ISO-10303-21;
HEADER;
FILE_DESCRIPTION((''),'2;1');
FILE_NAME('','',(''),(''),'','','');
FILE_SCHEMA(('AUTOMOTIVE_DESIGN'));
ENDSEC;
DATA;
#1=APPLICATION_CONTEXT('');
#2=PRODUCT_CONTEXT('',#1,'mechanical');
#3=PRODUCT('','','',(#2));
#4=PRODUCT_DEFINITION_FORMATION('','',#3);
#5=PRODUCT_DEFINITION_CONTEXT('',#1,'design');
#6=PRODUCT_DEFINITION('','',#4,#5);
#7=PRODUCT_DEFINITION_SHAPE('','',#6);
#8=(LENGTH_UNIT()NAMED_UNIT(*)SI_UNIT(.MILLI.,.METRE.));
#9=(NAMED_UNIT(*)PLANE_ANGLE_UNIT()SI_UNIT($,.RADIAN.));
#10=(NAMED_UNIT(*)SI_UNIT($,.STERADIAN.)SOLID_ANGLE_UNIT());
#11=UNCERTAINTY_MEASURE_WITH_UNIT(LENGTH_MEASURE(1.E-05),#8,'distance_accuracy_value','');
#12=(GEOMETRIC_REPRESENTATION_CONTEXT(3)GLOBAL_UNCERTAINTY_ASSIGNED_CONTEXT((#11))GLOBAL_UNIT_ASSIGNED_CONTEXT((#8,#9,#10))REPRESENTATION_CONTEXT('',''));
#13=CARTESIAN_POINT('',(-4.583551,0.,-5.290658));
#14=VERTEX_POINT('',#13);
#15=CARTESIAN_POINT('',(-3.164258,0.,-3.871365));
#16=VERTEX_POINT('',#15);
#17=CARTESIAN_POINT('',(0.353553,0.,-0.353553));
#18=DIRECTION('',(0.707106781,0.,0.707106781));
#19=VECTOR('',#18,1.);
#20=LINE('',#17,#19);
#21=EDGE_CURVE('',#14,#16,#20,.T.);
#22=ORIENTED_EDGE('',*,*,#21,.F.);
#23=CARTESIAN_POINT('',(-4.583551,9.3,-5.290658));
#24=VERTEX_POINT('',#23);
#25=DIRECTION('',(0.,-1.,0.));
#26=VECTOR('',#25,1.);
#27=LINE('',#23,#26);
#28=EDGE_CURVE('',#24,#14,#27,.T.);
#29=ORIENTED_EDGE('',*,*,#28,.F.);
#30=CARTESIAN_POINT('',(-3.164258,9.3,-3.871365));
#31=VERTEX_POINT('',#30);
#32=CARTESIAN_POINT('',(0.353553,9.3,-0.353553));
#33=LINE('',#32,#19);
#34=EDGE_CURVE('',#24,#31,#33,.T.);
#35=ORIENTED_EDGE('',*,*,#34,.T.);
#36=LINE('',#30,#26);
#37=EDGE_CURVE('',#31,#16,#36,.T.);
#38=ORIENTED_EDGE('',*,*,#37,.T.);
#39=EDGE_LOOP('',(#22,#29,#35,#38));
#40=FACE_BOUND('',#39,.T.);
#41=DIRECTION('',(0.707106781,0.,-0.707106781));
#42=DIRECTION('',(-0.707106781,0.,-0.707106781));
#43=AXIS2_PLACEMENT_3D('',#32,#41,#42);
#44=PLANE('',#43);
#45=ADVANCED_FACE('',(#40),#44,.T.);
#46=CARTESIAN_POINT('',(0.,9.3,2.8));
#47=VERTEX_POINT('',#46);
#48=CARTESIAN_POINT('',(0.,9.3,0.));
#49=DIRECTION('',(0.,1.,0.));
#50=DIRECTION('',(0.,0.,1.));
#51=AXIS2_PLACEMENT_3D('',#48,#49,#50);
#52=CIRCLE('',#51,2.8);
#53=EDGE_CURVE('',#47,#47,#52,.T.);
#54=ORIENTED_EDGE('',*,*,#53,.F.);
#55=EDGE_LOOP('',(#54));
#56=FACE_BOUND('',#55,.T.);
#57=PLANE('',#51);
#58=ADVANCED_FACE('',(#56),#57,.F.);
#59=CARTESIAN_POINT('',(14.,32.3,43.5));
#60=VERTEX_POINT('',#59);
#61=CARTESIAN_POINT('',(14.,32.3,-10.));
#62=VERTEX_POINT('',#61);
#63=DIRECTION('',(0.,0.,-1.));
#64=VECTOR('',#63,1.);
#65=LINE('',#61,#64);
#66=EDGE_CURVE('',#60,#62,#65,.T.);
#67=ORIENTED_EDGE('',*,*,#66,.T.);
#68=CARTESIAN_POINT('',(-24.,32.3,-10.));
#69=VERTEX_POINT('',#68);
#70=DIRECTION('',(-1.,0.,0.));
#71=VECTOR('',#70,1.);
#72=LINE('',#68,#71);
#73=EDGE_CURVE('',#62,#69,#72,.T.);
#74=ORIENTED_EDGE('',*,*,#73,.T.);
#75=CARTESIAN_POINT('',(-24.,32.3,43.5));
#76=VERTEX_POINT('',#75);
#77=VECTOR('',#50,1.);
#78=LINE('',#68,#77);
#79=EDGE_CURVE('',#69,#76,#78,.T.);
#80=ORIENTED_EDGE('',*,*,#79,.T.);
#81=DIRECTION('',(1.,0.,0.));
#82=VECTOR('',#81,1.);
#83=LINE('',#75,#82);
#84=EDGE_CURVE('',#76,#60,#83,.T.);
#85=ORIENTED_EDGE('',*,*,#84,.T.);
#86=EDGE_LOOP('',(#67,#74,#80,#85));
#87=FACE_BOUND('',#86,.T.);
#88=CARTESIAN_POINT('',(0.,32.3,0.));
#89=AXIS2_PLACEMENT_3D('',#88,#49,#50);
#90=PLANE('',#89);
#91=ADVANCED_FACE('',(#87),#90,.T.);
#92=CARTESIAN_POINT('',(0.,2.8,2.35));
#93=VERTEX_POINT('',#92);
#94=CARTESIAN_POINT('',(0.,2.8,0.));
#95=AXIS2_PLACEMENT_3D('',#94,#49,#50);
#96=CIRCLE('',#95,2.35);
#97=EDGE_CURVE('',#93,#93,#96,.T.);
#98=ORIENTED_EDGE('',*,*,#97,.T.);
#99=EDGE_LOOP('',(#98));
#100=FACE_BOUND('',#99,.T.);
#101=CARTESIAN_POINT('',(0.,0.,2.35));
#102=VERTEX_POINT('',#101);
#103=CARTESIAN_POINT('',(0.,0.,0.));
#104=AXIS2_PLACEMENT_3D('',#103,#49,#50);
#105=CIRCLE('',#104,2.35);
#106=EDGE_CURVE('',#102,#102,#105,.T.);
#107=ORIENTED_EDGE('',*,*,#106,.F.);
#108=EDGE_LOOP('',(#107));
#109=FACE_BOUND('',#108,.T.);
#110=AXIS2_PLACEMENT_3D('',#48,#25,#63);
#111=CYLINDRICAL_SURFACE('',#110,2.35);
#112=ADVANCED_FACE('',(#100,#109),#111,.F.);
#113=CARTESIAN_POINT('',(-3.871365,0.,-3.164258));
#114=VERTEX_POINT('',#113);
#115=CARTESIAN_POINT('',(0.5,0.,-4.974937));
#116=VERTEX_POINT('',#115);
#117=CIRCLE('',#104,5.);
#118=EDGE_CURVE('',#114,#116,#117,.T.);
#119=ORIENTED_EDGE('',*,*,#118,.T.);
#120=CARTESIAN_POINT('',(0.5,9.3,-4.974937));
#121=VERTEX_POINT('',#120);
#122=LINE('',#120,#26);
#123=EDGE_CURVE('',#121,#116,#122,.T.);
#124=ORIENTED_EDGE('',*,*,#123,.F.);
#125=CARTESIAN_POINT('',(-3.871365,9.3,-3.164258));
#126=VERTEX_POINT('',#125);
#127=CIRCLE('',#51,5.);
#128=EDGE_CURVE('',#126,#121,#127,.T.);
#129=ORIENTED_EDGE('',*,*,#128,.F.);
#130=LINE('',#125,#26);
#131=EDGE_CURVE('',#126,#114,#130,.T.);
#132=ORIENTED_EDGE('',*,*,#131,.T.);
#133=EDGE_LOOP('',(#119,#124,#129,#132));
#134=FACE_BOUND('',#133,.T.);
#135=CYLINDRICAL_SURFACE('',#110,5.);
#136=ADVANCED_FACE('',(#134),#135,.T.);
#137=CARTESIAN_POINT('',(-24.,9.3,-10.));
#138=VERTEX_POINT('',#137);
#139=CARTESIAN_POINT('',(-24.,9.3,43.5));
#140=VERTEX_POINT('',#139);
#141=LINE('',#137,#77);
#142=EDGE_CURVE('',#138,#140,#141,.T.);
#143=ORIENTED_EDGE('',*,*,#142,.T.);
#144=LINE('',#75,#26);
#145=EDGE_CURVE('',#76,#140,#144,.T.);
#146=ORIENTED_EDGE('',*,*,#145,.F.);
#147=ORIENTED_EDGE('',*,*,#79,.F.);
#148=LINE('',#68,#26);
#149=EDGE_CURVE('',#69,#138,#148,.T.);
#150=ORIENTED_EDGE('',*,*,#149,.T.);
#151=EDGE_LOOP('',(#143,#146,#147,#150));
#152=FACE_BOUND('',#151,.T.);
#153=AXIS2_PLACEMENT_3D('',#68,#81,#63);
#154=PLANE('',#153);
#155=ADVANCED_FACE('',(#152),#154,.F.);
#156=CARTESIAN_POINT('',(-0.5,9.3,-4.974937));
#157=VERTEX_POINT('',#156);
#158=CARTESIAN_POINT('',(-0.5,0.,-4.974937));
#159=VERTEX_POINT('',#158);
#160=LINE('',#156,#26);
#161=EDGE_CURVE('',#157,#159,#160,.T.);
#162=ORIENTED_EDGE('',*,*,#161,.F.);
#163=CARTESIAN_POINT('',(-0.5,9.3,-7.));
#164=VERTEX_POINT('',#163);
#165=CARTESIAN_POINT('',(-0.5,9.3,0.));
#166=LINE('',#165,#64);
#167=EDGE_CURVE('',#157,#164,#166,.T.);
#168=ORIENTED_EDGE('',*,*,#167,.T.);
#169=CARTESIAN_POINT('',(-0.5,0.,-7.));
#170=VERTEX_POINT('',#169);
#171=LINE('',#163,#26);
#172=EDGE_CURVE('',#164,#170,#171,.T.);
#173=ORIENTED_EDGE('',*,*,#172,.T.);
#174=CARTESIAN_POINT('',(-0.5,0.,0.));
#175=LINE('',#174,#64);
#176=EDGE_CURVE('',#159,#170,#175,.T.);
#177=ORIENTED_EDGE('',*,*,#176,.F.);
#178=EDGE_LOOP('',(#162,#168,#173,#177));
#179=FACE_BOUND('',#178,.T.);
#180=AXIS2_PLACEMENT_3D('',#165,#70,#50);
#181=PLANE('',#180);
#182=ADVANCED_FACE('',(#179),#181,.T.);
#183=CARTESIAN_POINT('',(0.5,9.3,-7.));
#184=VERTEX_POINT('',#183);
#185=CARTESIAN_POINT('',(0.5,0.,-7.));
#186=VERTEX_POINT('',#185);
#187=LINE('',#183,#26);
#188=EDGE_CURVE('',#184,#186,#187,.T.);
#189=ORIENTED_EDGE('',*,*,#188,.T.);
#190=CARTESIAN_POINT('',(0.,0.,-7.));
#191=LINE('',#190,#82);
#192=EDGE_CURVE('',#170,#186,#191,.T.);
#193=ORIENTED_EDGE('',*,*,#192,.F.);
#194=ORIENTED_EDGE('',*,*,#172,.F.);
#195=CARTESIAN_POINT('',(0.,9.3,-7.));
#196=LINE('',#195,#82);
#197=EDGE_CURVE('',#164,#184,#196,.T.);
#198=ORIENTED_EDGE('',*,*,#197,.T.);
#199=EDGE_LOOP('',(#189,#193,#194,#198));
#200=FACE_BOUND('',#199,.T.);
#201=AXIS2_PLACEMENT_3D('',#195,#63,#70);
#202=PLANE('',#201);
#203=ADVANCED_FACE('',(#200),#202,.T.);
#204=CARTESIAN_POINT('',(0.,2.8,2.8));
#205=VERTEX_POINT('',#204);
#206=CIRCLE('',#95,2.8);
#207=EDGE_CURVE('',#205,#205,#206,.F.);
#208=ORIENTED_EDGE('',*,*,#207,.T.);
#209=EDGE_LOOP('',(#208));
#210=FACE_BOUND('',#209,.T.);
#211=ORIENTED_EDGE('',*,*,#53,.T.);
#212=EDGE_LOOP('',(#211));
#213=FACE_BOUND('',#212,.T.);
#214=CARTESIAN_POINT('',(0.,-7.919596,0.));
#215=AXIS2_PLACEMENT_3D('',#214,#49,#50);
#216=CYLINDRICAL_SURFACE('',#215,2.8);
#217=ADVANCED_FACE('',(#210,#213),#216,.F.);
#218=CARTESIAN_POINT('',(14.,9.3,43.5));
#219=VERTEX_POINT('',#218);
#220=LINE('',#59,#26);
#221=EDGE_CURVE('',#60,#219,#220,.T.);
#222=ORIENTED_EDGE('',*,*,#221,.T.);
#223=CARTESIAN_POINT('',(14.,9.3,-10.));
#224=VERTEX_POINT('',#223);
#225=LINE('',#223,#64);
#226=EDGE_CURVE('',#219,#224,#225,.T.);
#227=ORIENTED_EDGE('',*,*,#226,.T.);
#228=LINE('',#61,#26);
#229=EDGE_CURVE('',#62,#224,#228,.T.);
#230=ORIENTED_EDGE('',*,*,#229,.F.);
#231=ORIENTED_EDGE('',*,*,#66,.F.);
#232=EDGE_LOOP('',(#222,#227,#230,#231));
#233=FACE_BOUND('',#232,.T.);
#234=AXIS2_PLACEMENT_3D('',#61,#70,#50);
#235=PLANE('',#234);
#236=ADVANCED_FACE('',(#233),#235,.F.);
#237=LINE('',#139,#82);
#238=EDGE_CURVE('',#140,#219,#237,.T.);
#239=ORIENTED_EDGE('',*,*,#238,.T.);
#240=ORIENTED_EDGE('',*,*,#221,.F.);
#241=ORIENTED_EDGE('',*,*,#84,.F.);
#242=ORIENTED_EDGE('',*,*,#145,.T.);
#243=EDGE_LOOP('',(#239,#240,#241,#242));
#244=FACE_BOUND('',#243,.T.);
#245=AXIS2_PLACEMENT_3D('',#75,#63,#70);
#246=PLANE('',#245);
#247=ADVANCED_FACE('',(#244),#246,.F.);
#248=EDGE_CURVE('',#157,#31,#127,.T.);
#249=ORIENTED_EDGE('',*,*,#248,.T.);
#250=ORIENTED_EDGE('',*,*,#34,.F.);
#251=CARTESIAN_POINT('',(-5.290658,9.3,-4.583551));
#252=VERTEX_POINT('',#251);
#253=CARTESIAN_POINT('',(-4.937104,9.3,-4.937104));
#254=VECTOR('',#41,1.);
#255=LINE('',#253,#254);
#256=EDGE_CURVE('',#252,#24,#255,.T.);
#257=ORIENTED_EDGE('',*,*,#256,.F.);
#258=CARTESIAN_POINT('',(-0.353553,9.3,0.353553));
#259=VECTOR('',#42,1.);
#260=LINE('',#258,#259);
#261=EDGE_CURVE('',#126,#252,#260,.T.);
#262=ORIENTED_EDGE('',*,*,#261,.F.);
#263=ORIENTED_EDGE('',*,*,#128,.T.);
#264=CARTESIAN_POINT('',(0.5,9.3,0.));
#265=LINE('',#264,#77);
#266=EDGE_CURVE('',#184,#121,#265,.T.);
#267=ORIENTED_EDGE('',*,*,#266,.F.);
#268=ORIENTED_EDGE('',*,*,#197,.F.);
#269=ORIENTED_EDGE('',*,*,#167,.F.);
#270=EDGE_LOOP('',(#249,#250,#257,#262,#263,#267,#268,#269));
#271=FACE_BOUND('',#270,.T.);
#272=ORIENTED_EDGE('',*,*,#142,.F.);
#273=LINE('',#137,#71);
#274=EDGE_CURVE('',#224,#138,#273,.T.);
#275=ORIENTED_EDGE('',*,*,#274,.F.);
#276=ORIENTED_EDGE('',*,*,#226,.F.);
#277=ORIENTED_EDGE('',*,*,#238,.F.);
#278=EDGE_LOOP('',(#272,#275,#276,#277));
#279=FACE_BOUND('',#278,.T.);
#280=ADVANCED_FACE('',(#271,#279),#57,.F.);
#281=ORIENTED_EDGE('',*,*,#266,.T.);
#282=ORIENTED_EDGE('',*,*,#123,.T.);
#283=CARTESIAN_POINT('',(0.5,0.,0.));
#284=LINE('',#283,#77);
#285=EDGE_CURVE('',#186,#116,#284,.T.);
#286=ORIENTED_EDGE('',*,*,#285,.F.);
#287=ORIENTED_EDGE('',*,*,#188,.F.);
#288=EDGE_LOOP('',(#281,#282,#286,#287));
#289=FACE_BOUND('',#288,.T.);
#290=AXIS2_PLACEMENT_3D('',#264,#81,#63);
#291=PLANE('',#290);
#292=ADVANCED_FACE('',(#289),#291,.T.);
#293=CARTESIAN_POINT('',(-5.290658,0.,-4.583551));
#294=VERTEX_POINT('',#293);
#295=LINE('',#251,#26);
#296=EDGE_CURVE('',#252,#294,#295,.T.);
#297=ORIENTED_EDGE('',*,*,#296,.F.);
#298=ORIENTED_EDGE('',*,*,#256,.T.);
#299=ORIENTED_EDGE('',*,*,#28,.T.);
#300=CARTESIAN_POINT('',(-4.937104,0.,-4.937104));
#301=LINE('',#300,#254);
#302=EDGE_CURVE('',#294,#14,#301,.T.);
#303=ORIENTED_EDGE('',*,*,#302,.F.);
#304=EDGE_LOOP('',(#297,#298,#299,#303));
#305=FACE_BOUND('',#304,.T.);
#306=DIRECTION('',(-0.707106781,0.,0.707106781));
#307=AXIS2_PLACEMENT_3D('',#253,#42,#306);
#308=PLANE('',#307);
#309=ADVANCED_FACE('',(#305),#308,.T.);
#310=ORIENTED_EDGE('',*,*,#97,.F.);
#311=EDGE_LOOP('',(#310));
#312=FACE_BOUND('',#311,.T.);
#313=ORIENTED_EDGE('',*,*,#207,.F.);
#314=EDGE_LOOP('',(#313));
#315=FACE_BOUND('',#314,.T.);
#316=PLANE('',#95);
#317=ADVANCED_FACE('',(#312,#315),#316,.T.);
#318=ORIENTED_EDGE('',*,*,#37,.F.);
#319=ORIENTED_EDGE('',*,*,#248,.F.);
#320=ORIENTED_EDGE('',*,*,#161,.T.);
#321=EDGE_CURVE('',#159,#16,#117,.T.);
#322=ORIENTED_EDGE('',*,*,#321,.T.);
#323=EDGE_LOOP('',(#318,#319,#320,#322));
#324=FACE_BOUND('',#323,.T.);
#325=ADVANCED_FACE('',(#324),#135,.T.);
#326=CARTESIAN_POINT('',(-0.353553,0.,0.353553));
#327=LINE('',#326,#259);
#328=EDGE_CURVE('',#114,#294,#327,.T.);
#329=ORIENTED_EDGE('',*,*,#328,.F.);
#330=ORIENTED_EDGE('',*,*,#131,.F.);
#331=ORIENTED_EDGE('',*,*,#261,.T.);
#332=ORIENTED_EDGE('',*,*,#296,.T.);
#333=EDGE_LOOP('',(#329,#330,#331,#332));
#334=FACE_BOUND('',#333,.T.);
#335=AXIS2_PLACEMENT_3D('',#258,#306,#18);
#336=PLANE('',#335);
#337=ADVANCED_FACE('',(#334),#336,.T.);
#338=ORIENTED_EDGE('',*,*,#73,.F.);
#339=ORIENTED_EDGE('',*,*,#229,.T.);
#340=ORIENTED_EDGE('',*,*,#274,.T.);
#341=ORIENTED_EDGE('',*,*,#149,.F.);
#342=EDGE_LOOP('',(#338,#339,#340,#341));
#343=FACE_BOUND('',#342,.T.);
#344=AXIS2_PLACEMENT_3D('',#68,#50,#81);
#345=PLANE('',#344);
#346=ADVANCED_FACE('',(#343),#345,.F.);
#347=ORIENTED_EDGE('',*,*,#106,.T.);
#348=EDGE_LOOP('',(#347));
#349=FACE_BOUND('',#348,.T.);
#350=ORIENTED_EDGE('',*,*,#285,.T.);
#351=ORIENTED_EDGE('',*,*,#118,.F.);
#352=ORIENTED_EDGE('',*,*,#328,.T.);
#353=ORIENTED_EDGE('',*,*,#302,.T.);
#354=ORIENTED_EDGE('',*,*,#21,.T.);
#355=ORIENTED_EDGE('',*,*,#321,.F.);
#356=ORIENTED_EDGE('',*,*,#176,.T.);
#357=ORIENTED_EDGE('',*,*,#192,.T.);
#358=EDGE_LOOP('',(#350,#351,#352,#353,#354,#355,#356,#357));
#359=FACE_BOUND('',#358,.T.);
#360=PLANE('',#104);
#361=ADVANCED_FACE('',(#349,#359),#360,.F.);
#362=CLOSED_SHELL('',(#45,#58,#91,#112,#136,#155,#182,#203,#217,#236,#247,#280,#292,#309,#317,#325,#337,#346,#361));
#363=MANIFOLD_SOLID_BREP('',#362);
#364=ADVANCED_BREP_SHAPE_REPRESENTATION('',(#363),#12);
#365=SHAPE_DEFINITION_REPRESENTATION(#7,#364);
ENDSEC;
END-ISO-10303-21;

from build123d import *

# Parameters (mm, degrees)
SKETCH1_R           = 2.35
BOSS_EXTRUDE1_DEPTH = 9.3
SKETCH2_R           = 2.8
CUT_EXTRUDE1_DEPTH  = 6.5
SKETCH3_W           = 38
SKETCH3_H           = 53.5
BOSS_EXTRUDE2_DEPTH = 23


with BuildPart() as part:
    # Sketch1 → Boss-Extrude1 (new body)
    with BuildSketch(Plane(origin=(0, 0, 0), x_dir=(1, 0, 0), z_dir=(0, 1, 0))):
        with BuildLine():
            Line((-0.5, 7), (-0.5, 4.974937186))
            ThreePointArc((-0.5, 4.974937186), (-1.913417162, 4.619397663), (-3.164258429, 3.87136521))
            Line((-3.164258429, 3.87136521), (-4.583551024, 5.290657805))
            Line((-4.583551024, 5.290657805), (-5.290657805, 4.583551024))
            Line((-5.290657805, 4.583551024), (-3.87136521, 3.164258429))
            ThreePointArc((-3.87136521, 3.164258429), (1.913417162, -4.619397663), (0.5, 4.974937186))
            Line((0.5, 4.974937186), (0.5, 7))
            Line((0.5, 7), (-0.5, 7))
        make_face()
        with Locations(Location((0, 0, 0), (0, 0, 270))):
            Circle(SKETCH1_R, mode=Mode.SUBTRACT)
    extrude(amount=BOSS_EXTRUDE1_DEPTH)

    # Sketch2 → Cut-Extrude1 (cut)
    with BuildSketch(Plane(origin=(0, 9.3, 0), x_dir=(1, 0, 0), z_dir=(0, 1, 0))):
        with Locations(Location((0, 0, 0), (0, 0, 270))):
            Circle(SKETCH2_R)
    extrude(amount=-CUT_EXTRUDE1_DEPTH, mode=Mode.SUBTRACT)

    # Sketch3 → Boss-Extrude2 (add)
    with BuildSketch(Plane(origin=(0, 9.3, 0), x_dir=(1, 0, 0), z_dir=(0, 1, 0))):
        with Locations((-5, -16.75)):
            Rectangle(SKETCH3_W, SKETCH3_H)
    extrude(amount=BOSS_EXTRUDE2_DEPTH)


solid = part.part
